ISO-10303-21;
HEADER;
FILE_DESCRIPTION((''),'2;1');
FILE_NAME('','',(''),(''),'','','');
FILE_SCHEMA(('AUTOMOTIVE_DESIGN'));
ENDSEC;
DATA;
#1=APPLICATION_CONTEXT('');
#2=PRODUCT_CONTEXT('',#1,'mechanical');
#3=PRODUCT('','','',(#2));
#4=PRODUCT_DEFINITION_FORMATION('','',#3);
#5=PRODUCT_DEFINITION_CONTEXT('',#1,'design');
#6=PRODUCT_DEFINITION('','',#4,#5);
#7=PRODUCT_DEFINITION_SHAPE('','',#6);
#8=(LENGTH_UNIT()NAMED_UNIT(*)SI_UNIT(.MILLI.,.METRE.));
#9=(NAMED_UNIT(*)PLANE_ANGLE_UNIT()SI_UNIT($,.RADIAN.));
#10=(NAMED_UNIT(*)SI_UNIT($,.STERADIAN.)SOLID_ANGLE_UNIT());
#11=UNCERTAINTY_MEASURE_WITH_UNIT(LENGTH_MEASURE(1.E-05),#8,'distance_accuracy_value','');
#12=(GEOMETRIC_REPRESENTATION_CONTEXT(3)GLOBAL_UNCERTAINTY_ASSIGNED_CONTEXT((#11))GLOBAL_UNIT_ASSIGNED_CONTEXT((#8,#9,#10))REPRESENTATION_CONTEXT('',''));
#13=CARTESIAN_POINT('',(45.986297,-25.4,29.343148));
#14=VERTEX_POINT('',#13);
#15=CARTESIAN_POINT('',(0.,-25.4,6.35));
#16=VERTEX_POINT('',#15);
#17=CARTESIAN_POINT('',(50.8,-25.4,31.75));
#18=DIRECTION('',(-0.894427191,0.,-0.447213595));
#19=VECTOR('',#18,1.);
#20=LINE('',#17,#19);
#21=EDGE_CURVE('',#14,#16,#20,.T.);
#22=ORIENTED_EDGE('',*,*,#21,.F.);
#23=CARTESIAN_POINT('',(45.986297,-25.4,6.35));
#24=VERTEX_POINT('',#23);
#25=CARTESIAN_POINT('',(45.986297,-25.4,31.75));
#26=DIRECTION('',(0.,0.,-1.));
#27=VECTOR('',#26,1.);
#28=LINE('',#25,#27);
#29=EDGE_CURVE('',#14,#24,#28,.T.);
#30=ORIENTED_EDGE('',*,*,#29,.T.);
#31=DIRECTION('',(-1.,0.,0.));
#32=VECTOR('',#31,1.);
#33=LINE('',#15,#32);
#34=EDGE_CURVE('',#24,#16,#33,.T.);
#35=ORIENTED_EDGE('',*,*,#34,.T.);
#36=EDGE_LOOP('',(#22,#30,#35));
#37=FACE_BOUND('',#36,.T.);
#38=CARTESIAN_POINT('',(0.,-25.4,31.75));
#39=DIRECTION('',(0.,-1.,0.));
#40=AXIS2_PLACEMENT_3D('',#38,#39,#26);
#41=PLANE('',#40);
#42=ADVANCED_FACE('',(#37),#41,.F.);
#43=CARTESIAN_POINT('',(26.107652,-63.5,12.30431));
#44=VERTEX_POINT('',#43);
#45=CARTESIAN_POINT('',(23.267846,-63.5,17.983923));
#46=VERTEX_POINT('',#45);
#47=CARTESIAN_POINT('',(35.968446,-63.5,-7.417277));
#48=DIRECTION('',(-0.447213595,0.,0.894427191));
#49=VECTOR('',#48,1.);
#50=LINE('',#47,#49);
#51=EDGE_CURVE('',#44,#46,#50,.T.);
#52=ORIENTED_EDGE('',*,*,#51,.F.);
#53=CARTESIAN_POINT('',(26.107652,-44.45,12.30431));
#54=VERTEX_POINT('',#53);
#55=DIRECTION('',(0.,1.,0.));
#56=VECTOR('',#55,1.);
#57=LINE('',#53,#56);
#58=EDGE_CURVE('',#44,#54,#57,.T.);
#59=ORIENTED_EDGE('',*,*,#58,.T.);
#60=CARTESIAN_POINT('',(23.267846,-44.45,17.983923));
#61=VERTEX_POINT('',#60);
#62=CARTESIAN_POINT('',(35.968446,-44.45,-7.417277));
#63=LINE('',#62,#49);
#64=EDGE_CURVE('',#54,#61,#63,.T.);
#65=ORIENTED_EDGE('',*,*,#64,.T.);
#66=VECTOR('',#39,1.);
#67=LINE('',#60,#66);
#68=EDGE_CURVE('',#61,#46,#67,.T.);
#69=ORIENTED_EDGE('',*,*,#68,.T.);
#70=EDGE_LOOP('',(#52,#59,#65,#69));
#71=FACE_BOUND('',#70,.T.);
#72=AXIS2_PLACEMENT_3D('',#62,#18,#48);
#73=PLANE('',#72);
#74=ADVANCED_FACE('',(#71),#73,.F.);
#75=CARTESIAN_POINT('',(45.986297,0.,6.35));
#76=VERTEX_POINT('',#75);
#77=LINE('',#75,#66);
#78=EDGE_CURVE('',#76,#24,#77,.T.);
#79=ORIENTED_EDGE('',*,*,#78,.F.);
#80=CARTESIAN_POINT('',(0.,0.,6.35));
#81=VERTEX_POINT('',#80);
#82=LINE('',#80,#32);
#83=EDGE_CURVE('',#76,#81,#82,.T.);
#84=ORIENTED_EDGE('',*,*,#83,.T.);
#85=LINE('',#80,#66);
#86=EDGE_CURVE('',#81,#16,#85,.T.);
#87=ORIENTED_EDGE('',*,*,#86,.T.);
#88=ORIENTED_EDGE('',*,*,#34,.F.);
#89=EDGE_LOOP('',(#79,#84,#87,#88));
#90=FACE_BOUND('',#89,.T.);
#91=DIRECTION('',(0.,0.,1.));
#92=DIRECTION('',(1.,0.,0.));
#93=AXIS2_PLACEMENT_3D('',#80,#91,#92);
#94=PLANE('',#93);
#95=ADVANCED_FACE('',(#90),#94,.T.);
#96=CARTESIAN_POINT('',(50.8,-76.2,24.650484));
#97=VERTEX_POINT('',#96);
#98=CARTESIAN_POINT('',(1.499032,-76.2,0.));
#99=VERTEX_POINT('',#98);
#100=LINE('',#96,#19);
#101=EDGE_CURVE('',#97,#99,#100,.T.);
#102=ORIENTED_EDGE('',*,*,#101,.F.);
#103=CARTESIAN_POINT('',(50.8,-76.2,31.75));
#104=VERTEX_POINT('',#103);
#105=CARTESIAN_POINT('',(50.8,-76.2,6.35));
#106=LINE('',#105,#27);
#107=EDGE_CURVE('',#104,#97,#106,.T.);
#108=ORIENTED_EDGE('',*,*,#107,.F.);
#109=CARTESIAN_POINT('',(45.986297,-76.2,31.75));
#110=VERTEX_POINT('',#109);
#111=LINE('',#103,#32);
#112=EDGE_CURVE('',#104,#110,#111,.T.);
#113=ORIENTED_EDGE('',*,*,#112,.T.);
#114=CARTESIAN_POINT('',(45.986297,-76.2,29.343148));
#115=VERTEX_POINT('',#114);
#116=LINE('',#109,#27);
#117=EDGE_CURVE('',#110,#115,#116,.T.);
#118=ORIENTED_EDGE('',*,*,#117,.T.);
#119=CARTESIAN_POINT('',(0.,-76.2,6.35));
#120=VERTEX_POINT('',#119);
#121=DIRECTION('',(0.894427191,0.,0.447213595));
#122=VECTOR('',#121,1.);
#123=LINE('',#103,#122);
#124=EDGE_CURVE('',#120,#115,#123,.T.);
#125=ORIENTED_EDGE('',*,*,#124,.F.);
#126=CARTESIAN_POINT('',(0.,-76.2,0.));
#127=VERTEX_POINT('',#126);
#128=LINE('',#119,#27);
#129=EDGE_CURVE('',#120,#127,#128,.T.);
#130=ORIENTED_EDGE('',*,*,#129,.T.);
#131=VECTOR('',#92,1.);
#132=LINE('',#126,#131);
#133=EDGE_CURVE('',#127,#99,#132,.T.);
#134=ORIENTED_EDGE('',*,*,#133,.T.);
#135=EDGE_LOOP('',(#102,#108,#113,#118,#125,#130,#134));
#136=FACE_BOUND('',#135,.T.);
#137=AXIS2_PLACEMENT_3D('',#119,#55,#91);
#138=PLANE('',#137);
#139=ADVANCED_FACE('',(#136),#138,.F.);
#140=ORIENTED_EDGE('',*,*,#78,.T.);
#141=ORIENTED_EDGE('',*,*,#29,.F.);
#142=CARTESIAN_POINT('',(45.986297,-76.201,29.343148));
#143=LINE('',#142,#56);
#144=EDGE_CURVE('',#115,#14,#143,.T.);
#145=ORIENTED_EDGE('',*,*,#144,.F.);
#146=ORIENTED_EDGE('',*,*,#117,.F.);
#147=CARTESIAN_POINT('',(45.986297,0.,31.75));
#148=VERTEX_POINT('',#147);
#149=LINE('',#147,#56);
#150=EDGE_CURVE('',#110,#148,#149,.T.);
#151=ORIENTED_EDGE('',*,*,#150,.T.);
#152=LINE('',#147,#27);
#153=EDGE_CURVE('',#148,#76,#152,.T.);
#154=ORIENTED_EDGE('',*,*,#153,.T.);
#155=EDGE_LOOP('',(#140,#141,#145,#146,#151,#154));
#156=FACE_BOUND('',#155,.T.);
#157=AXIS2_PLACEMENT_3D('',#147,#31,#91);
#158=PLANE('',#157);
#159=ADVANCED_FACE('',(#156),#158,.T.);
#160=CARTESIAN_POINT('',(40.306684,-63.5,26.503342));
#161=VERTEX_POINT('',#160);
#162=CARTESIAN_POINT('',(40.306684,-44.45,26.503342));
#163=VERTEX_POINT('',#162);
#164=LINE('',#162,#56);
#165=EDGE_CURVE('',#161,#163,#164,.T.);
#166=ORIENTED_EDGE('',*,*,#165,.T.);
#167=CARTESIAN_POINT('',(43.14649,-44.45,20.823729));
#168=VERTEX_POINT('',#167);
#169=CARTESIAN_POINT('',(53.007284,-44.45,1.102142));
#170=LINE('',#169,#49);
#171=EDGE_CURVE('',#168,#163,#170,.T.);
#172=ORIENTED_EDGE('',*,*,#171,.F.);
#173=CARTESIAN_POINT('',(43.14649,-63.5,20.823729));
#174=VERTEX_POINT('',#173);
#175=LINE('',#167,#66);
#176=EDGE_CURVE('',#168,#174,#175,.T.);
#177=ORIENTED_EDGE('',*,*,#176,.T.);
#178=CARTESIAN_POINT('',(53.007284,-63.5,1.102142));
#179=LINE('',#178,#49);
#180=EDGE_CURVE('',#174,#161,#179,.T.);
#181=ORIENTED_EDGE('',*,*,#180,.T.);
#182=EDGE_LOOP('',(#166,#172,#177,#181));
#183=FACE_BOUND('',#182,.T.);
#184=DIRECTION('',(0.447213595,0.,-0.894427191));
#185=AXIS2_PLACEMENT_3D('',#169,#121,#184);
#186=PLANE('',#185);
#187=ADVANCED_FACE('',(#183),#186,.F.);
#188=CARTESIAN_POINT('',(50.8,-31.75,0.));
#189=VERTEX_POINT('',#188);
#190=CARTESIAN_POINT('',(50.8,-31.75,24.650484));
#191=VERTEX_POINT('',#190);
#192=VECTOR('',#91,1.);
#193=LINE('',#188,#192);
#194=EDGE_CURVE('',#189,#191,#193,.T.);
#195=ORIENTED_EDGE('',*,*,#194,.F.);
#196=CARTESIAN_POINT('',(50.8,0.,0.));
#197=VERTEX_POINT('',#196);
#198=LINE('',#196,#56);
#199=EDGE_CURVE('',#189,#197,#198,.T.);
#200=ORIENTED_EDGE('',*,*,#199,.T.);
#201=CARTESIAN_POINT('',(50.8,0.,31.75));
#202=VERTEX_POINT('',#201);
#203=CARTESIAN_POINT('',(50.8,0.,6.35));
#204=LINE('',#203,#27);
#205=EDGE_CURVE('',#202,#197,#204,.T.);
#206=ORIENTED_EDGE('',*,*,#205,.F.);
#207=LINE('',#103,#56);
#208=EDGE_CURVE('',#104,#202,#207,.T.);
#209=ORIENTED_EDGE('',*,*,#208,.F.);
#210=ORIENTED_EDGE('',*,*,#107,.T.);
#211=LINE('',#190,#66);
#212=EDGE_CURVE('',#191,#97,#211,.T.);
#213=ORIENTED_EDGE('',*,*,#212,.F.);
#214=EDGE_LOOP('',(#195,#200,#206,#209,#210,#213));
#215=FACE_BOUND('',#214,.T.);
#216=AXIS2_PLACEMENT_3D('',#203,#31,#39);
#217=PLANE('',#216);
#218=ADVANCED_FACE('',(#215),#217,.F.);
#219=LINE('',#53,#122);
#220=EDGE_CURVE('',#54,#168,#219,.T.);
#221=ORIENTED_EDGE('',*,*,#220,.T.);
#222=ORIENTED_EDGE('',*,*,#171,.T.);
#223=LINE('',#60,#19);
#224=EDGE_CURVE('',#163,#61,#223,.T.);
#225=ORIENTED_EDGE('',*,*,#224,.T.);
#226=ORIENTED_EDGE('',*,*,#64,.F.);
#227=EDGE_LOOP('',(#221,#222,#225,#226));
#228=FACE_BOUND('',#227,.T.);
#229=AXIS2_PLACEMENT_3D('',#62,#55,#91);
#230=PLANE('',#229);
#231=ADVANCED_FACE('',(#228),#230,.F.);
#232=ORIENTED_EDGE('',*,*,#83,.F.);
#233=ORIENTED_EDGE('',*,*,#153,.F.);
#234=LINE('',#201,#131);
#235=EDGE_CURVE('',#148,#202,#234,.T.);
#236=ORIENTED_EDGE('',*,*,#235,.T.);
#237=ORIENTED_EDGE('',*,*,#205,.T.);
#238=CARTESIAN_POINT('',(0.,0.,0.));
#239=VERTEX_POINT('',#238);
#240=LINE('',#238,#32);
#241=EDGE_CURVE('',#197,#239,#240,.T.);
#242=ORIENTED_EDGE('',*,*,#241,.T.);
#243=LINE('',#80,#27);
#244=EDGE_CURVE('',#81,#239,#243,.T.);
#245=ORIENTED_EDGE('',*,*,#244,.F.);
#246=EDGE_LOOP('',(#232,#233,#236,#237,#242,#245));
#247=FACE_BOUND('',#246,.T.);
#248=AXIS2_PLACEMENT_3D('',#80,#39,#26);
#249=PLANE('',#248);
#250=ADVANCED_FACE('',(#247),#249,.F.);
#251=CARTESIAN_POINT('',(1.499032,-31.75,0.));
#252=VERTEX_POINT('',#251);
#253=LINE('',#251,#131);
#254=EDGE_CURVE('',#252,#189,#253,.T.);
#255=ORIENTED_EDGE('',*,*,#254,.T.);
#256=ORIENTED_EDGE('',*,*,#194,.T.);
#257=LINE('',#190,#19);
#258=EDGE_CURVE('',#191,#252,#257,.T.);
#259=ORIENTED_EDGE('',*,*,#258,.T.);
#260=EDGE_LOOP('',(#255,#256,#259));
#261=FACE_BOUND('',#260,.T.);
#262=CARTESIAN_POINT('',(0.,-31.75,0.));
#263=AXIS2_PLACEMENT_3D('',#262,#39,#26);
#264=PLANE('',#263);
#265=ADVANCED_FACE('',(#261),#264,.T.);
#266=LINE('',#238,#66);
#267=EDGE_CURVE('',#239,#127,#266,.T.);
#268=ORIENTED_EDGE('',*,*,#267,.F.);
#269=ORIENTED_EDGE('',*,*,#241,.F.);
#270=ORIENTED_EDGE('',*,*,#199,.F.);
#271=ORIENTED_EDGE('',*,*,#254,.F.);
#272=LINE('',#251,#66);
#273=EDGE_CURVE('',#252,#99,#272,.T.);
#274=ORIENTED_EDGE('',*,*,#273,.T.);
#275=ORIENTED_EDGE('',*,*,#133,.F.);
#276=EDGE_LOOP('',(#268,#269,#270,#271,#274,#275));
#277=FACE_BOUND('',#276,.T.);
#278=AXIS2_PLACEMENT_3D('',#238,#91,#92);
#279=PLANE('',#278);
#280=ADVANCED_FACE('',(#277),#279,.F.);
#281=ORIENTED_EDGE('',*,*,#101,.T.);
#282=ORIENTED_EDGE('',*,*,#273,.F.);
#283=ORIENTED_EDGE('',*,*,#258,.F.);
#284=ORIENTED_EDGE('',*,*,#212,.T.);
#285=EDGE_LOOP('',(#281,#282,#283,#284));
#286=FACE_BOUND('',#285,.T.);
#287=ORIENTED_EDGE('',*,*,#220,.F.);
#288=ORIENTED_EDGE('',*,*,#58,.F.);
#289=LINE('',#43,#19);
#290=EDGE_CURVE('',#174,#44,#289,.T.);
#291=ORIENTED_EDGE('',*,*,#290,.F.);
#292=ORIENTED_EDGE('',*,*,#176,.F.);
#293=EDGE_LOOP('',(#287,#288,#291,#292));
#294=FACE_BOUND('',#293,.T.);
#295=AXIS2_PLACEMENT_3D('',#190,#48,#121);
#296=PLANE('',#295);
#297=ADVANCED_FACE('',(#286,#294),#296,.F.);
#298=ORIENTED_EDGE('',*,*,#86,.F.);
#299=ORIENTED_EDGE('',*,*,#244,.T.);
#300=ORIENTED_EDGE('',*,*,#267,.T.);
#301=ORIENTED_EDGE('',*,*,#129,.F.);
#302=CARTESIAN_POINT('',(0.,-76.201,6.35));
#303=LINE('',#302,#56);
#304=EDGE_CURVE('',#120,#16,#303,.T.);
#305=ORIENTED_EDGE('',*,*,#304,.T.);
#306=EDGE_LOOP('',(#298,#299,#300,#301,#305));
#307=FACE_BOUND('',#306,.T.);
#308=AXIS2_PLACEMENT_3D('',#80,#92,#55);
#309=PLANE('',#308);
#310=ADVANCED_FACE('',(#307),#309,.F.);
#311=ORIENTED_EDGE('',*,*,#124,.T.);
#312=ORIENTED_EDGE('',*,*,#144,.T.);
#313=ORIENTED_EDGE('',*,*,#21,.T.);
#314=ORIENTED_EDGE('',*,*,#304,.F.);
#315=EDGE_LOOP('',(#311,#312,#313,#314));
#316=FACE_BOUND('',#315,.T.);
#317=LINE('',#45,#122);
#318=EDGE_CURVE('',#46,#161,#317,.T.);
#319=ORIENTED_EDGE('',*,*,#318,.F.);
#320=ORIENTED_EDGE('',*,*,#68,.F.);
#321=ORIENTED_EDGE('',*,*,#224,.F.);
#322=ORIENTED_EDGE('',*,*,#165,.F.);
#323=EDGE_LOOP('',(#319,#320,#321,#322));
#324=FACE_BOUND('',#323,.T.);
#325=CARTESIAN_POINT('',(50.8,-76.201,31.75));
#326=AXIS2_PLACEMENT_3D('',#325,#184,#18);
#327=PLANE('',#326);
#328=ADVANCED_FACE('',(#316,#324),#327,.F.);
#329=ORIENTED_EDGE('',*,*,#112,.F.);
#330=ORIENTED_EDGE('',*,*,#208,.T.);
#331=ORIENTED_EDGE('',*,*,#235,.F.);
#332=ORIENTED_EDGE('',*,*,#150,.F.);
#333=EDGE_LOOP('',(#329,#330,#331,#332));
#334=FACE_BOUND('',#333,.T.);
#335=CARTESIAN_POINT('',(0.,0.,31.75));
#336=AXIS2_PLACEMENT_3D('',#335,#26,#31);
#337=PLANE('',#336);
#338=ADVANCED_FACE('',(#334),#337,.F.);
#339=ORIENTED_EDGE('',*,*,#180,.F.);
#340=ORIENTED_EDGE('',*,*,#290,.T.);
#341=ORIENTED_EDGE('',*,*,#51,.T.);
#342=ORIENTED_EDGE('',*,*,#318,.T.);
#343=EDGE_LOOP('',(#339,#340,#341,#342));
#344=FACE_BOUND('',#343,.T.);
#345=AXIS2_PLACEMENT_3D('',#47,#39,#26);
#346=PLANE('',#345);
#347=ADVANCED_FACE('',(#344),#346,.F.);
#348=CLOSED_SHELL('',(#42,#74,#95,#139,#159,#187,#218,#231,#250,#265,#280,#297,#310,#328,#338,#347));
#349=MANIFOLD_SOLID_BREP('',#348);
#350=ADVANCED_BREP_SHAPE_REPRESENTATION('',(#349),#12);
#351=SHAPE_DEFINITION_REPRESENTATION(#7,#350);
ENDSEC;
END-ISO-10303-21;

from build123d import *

# Parameters (mm, degrees)
SKETCH1_W           = 50.8
SKETCH1_H           = 76.2
BOSS_EXTRUDE1_DEPTH = 6.35
SKETCH2_W           = 50.8
SKETCH2_H           = 50.8
BOSS_EXTRUDE2_DEPTH = 25.4
CUT_EXTRUDE1_REACH  = 52.8
SKETCH4_W           = 4.813703211
SKETCH4_H           = 76.2
BOSS_EXTRUDE3_DEPTH = 31.75
CUT_EXTRUDE2_DEPTH  = 44.45
CUT_EXTRUDE3_REACH  = 30.398
SKETCH6_W           = 19.05
SKETCH6_H           = 19.05


with BuildPart() as part:
    # Sketch1 → Boss-Extrude1 (new body)
    with BuildSketch(Plane.XY):
        with Locations((25.4, -38.1)):
            Rectangle(SKETCH1_W, SKETCH1_H)
    extrude(amount=BOSS_EXTRUDE1_DEPTH)

    # Sketch2 → Boss-Extrude2 (add)
    with BuildSketch(Plane.XY.offset(6.35)):
        with Locations((25.4, -50.8)):
            Rectangle(SKETCH2_W, SKETCH2_H)
    extrude(amount=BOSS_EXTRUDE2_DEPTH)

    # Sketch3 → Cut-Extrude1 (cut, up to next)
    with BuildSketch(Plane(origin=(0, -25.4, 0), x_dir=(1, 0, 0), z_dir=(0, 1, 0)), mode=Mode.PRIVATE) as cut_extrude1_sk1:
        Polygon((0, -6.35), (0, -31.75), (50.8, -31.75), align=None)
    cut_extrude1_tool1 = extrude(cut_extrude1_sk1.sketch, amount=-CUT_EXTRUDE1_REACH, mode=Mode.PRIVATE) & part.part
    add(cut_extrude1_tool1.solids().sort_by_distance((16.933333, -25.4, 23.283333))[0], mode=Mode.SUBTRACT)

    # Sketch4 → Boss-Extrude3 (add)
    with BuildSketch(Plane(origin=(0, 0, 0), x_dir=(-1, 0, 0), z_dir=(0, 0, -1))):
        with Locations((-48.393148395, -38.1)):
            Rectangle(SKETCH4_W, SKETCH4_H)
    extrude(amount=-BOSS_EXTRUDE3_DEPTH)

    # Sketch5 → Cut-Extrude2 (cut)
    with BuildSketch(Plane.XZ.offset(76.2)):
        Polygon((50.8, 0), (50.8, 24.650484171), (1.499031657, 0), align=None)
    extrude(amount=-CUT_EXTRUDE2_DEPTH, mode=Mode.SUBTRACT)

    # Sketch6 → Cut-Extrude3 (cut, up to next)
    with BuildSketch(Plane(origin=(-2.54, 0, 5.08), x_dir=(0.894427191, 0, 0.447213595), z_dir=(-0.447213595, 0, 0.894427191)), mode=Mode.PRIVATE) as cut_extrude3_sk1:
        with Locations((38.379049159, -53.975)):
            Rectangle(SKETCH6_W, SKETCH6_H)
    cut_extrude3_tool1 = extrude(cut_extrude3_sk1.sketch, amount=-CUT_EXTRUDE3_REACH, mode=Mode.PRIVATE) & part.part
    add(cut_extrude3_tool1.solids().sort_by_distance((31.787265, -53.975, 22.243633))[0], mode=Mode.SUBTRACT)


solid = part.part
